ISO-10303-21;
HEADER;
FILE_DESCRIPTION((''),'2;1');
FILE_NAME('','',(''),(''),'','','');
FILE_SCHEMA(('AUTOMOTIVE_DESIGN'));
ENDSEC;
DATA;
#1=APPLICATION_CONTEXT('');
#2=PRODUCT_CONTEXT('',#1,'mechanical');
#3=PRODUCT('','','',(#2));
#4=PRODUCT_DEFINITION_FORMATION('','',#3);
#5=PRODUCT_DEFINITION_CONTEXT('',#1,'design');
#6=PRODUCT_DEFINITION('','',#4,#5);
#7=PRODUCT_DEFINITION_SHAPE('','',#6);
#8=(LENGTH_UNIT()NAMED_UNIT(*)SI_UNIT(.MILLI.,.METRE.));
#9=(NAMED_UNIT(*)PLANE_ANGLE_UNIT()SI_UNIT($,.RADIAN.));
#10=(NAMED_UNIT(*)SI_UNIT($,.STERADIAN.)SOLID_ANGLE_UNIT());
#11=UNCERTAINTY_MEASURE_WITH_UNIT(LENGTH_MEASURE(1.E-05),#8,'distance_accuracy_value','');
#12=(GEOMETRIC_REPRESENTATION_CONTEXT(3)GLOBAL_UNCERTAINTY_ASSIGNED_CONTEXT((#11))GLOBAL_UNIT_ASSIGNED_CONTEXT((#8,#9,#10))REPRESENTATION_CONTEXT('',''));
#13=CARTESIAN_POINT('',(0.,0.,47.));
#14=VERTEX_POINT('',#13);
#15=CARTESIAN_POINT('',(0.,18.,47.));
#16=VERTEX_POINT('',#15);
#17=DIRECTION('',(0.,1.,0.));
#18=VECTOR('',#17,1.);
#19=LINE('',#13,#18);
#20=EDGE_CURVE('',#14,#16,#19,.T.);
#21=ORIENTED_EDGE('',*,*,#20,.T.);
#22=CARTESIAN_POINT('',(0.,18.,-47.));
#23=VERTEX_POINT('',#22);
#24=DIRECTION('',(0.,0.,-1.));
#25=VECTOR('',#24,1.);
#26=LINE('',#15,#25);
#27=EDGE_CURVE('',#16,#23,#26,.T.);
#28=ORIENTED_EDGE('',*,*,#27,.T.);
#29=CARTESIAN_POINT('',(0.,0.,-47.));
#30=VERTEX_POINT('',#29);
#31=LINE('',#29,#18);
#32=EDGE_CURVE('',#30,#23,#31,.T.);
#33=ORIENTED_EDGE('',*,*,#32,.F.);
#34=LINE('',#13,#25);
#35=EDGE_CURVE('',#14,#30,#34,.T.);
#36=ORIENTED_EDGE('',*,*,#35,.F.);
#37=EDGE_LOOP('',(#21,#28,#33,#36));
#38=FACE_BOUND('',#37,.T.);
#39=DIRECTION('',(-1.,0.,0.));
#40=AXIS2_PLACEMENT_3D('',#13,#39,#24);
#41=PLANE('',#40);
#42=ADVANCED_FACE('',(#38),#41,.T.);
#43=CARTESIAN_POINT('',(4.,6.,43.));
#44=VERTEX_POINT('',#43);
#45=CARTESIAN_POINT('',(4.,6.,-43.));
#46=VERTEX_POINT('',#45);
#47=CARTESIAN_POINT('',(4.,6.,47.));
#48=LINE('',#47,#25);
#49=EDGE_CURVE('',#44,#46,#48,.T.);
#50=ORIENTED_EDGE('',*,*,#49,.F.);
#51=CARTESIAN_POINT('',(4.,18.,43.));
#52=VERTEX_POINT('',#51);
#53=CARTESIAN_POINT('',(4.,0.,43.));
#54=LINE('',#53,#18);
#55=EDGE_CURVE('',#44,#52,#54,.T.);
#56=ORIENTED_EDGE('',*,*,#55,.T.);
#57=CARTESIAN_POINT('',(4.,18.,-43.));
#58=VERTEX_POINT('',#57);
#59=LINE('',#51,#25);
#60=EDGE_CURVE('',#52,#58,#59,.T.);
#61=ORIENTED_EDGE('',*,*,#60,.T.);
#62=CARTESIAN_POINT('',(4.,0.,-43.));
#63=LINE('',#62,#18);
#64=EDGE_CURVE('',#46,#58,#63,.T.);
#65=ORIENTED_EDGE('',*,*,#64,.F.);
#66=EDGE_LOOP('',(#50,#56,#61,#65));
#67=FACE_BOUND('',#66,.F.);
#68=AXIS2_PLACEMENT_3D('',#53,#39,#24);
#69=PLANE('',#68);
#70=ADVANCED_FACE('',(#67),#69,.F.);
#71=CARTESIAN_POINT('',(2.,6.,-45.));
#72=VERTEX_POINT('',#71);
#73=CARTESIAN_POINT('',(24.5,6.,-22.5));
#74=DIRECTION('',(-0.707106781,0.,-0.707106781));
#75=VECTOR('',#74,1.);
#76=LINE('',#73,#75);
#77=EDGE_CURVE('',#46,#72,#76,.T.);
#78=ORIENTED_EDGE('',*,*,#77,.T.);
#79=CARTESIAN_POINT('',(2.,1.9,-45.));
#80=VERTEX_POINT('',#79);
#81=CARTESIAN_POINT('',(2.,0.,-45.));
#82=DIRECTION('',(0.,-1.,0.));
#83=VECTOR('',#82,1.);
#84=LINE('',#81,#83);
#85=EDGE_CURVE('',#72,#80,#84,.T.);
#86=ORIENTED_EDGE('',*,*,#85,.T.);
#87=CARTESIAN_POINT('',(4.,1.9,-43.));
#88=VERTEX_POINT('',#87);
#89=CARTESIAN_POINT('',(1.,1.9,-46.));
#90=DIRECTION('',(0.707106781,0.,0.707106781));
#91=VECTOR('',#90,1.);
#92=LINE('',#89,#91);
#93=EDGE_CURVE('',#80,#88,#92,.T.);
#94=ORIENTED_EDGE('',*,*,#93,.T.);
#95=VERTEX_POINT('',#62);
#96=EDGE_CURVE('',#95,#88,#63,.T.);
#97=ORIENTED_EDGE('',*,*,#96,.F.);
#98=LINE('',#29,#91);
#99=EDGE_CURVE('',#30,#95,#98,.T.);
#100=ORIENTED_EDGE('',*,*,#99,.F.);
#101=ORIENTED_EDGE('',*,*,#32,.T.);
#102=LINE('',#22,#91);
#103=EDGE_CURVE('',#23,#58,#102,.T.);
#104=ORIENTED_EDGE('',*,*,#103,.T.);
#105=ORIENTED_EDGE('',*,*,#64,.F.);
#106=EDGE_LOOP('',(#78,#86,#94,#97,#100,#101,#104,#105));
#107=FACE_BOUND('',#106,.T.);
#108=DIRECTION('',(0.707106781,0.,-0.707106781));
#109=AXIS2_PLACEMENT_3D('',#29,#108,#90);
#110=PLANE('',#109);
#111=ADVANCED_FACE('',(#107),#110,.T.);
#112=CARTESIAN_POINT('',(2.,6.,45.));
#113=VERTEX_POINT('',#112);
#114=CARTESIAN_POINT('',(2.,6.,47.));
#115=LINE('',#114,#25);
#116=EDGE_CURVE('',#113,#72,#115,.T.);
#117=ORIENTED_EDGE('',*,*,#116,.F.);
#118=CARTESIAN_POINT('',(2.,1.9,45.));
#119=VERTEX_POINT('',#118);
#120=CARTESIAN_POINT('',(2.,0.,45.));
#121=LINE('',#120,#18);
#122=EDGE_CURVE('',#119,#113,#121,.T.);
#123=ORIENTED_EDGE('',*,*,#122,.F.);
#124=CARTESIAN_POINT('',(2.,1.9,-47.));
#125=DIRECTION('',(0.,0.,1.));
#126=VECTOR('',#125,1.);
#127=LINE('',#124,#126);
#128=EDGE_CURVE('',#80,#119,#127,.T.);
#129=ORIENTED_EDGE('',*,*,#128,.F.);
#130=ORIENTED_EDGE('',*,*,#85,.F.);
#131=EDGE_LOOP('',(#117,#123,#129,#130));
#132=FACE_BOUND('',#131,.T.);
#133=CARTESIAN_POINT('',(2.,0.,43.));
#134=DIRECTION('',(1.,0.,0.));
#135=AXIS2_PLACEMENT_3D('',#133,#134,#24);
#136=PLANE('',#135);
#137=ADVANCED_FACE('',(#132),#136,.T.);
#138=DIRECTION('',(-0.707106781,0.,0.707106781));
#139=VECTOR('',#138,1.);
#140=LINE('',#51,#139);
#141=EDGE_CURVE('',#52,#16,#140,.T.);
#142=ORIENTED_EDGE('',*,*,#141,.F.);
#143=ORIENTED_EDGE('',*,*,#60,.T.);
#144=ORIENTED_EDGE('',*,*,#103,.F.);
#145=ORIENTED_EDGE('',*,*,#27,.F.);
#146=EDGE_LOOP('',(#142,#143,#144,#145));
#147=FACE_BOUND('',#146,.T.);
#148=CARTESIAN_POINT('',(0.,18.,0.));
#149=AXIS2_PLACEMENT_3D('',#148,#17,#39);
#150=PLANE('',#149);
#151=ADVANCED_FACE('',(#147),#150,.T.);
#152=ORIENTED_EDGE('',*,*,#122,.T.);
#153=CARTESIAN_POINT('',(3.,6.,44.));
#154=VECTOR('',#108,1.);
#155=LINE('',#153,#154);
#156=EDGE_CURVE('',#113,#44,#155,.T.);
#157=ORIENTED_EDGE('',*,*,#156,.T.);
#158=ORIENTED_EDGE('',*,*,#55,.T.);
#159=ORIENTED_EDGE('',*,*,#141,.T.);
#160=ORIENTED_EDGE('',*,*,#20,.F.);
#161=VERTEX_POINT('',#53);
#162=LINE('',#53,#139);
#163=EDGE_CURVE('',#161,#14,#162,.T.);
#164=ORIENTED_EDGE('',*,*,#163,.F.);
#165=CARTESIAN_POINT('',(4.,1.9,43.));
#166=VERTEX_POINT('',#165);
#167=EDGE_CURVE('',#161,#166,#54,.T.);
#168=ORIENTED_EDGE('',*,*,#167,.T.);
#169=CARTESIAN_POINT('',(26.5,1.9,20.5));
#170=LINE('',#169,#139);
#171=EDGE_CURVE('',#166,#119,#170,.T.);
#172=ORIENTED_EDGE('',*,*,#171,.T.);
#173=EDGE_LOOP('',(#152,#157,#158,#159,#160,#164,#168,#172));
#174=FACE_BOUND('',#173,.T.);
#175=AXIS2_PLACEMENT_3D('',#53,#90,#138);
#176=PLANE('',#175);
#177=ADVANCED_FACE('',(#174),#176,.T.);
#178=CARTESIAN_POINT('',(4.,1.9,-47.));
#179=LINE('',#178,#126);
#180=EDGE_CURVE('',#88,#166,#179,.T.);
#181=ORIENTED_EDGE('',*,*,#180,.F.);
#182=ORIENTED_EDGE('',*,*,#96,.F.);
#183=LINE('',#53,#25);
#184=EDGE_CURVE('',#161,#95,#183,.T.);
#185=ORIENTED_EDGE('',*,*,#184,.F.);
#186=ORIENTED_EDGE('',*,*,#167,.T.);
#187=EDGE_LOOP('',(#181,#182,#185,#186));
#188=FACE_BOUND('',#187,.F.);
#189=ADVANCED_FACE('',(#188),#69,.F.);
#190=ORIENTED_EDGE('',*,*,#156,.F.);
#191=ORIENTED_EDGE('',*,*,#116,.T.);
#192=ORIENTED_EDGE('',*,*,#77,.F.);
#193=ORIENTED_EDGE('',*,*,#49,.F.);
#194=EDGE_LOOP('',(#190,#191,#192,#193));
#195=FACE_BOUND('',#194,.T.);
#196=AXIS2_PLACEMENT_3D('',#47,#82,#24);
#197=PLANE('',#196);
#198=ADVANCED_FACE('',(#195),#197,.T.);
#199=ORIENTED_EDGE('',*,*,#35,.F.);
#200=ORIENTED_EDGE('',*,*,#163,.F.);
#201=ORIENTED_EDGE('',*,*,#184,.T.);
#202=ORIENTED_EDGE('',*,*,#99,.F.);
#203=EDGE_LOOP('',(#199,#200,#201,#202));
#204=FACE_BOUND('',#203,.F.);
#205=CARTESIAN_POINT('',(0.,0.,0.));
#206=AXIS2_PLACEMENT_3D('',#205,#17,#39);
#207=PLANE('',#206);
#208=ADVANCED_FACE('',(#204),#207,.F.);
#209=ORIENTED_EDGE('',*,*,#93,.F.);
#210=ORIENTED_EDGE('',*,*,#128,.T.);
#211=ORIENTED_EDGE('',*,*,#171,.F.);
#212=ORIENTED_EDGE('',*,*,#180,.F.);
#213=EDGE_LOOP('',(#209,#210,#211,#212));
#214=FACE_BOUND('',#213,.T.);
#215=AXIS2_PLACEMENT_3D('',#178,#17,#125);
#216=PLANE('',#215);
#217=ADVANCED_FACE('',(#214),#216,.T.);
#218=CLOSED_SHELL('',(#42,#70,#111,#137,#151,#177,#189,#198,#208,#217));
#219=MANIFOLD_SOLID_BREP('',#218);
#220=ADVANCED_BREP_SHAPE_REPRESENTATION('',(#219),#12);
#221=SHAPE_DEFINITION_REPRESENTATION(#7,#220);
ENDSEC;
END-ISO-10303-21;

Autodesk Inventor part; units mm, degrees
ref_plane "YZ Plane" through (0, 0, 0) normal (1, 0, 0) x (0, 1, 0)
ref_plane "XZ Plane" through (0, 0, 0) normal (0, 1, 0) x (-1, 0, 0)
ref_plane "XY Plane" through (0, 0, 0) normal (0, 0, 1) x (1, 0, 0)
sketch "Sketch1" plane through (0, 0, 0) normal (0, 1, 0) x (-1, 0, 0)
  line L0 (0, 47) -> (0, -47)
  line L1 (-4, 43) -> (-4, -43)
  line L2 (0, 0) -> (-19.6483, 0) construction
  line L3 (-4, 43) -> (0, 47)
  line L4 (0, -47) -> (-4, -43)
  point P0 (-4, 0)
  dimension "d6" = 94
  dimension "d7" = 86
  dimension "d8" = 4
extrude "Extrusion1" add sketch "Sketch1" along normal blind 18
sketch "Sketch2" plane through (4, 0, 43) normal (1, 0, 0) x (0, 0, -1)
  line L0 (-4, 0) -> (-4, 18) projected
  line L1 (90, 0) -> (90, 18) projected
  line L2 (-4, 6) -> (90, 6)
  line L3 (90, 6) -> (90, 1.9)
  line L4 (90, 1.9) -> (-4, 1.9)
  line L5 (-4, 1.9) -> (-4, 6)
  line L6 (0, 0) -> (86, 0) projected
  point P0 (43, 0)
  point P1 (-4, 1.9)
  dimension "d11" = 4.1
  dimension "d12" = 1.9
extrude "Extrusion2" cut sketch "Sketch2" against normal blind 2
properties part number "long PDMS Chamber side"
